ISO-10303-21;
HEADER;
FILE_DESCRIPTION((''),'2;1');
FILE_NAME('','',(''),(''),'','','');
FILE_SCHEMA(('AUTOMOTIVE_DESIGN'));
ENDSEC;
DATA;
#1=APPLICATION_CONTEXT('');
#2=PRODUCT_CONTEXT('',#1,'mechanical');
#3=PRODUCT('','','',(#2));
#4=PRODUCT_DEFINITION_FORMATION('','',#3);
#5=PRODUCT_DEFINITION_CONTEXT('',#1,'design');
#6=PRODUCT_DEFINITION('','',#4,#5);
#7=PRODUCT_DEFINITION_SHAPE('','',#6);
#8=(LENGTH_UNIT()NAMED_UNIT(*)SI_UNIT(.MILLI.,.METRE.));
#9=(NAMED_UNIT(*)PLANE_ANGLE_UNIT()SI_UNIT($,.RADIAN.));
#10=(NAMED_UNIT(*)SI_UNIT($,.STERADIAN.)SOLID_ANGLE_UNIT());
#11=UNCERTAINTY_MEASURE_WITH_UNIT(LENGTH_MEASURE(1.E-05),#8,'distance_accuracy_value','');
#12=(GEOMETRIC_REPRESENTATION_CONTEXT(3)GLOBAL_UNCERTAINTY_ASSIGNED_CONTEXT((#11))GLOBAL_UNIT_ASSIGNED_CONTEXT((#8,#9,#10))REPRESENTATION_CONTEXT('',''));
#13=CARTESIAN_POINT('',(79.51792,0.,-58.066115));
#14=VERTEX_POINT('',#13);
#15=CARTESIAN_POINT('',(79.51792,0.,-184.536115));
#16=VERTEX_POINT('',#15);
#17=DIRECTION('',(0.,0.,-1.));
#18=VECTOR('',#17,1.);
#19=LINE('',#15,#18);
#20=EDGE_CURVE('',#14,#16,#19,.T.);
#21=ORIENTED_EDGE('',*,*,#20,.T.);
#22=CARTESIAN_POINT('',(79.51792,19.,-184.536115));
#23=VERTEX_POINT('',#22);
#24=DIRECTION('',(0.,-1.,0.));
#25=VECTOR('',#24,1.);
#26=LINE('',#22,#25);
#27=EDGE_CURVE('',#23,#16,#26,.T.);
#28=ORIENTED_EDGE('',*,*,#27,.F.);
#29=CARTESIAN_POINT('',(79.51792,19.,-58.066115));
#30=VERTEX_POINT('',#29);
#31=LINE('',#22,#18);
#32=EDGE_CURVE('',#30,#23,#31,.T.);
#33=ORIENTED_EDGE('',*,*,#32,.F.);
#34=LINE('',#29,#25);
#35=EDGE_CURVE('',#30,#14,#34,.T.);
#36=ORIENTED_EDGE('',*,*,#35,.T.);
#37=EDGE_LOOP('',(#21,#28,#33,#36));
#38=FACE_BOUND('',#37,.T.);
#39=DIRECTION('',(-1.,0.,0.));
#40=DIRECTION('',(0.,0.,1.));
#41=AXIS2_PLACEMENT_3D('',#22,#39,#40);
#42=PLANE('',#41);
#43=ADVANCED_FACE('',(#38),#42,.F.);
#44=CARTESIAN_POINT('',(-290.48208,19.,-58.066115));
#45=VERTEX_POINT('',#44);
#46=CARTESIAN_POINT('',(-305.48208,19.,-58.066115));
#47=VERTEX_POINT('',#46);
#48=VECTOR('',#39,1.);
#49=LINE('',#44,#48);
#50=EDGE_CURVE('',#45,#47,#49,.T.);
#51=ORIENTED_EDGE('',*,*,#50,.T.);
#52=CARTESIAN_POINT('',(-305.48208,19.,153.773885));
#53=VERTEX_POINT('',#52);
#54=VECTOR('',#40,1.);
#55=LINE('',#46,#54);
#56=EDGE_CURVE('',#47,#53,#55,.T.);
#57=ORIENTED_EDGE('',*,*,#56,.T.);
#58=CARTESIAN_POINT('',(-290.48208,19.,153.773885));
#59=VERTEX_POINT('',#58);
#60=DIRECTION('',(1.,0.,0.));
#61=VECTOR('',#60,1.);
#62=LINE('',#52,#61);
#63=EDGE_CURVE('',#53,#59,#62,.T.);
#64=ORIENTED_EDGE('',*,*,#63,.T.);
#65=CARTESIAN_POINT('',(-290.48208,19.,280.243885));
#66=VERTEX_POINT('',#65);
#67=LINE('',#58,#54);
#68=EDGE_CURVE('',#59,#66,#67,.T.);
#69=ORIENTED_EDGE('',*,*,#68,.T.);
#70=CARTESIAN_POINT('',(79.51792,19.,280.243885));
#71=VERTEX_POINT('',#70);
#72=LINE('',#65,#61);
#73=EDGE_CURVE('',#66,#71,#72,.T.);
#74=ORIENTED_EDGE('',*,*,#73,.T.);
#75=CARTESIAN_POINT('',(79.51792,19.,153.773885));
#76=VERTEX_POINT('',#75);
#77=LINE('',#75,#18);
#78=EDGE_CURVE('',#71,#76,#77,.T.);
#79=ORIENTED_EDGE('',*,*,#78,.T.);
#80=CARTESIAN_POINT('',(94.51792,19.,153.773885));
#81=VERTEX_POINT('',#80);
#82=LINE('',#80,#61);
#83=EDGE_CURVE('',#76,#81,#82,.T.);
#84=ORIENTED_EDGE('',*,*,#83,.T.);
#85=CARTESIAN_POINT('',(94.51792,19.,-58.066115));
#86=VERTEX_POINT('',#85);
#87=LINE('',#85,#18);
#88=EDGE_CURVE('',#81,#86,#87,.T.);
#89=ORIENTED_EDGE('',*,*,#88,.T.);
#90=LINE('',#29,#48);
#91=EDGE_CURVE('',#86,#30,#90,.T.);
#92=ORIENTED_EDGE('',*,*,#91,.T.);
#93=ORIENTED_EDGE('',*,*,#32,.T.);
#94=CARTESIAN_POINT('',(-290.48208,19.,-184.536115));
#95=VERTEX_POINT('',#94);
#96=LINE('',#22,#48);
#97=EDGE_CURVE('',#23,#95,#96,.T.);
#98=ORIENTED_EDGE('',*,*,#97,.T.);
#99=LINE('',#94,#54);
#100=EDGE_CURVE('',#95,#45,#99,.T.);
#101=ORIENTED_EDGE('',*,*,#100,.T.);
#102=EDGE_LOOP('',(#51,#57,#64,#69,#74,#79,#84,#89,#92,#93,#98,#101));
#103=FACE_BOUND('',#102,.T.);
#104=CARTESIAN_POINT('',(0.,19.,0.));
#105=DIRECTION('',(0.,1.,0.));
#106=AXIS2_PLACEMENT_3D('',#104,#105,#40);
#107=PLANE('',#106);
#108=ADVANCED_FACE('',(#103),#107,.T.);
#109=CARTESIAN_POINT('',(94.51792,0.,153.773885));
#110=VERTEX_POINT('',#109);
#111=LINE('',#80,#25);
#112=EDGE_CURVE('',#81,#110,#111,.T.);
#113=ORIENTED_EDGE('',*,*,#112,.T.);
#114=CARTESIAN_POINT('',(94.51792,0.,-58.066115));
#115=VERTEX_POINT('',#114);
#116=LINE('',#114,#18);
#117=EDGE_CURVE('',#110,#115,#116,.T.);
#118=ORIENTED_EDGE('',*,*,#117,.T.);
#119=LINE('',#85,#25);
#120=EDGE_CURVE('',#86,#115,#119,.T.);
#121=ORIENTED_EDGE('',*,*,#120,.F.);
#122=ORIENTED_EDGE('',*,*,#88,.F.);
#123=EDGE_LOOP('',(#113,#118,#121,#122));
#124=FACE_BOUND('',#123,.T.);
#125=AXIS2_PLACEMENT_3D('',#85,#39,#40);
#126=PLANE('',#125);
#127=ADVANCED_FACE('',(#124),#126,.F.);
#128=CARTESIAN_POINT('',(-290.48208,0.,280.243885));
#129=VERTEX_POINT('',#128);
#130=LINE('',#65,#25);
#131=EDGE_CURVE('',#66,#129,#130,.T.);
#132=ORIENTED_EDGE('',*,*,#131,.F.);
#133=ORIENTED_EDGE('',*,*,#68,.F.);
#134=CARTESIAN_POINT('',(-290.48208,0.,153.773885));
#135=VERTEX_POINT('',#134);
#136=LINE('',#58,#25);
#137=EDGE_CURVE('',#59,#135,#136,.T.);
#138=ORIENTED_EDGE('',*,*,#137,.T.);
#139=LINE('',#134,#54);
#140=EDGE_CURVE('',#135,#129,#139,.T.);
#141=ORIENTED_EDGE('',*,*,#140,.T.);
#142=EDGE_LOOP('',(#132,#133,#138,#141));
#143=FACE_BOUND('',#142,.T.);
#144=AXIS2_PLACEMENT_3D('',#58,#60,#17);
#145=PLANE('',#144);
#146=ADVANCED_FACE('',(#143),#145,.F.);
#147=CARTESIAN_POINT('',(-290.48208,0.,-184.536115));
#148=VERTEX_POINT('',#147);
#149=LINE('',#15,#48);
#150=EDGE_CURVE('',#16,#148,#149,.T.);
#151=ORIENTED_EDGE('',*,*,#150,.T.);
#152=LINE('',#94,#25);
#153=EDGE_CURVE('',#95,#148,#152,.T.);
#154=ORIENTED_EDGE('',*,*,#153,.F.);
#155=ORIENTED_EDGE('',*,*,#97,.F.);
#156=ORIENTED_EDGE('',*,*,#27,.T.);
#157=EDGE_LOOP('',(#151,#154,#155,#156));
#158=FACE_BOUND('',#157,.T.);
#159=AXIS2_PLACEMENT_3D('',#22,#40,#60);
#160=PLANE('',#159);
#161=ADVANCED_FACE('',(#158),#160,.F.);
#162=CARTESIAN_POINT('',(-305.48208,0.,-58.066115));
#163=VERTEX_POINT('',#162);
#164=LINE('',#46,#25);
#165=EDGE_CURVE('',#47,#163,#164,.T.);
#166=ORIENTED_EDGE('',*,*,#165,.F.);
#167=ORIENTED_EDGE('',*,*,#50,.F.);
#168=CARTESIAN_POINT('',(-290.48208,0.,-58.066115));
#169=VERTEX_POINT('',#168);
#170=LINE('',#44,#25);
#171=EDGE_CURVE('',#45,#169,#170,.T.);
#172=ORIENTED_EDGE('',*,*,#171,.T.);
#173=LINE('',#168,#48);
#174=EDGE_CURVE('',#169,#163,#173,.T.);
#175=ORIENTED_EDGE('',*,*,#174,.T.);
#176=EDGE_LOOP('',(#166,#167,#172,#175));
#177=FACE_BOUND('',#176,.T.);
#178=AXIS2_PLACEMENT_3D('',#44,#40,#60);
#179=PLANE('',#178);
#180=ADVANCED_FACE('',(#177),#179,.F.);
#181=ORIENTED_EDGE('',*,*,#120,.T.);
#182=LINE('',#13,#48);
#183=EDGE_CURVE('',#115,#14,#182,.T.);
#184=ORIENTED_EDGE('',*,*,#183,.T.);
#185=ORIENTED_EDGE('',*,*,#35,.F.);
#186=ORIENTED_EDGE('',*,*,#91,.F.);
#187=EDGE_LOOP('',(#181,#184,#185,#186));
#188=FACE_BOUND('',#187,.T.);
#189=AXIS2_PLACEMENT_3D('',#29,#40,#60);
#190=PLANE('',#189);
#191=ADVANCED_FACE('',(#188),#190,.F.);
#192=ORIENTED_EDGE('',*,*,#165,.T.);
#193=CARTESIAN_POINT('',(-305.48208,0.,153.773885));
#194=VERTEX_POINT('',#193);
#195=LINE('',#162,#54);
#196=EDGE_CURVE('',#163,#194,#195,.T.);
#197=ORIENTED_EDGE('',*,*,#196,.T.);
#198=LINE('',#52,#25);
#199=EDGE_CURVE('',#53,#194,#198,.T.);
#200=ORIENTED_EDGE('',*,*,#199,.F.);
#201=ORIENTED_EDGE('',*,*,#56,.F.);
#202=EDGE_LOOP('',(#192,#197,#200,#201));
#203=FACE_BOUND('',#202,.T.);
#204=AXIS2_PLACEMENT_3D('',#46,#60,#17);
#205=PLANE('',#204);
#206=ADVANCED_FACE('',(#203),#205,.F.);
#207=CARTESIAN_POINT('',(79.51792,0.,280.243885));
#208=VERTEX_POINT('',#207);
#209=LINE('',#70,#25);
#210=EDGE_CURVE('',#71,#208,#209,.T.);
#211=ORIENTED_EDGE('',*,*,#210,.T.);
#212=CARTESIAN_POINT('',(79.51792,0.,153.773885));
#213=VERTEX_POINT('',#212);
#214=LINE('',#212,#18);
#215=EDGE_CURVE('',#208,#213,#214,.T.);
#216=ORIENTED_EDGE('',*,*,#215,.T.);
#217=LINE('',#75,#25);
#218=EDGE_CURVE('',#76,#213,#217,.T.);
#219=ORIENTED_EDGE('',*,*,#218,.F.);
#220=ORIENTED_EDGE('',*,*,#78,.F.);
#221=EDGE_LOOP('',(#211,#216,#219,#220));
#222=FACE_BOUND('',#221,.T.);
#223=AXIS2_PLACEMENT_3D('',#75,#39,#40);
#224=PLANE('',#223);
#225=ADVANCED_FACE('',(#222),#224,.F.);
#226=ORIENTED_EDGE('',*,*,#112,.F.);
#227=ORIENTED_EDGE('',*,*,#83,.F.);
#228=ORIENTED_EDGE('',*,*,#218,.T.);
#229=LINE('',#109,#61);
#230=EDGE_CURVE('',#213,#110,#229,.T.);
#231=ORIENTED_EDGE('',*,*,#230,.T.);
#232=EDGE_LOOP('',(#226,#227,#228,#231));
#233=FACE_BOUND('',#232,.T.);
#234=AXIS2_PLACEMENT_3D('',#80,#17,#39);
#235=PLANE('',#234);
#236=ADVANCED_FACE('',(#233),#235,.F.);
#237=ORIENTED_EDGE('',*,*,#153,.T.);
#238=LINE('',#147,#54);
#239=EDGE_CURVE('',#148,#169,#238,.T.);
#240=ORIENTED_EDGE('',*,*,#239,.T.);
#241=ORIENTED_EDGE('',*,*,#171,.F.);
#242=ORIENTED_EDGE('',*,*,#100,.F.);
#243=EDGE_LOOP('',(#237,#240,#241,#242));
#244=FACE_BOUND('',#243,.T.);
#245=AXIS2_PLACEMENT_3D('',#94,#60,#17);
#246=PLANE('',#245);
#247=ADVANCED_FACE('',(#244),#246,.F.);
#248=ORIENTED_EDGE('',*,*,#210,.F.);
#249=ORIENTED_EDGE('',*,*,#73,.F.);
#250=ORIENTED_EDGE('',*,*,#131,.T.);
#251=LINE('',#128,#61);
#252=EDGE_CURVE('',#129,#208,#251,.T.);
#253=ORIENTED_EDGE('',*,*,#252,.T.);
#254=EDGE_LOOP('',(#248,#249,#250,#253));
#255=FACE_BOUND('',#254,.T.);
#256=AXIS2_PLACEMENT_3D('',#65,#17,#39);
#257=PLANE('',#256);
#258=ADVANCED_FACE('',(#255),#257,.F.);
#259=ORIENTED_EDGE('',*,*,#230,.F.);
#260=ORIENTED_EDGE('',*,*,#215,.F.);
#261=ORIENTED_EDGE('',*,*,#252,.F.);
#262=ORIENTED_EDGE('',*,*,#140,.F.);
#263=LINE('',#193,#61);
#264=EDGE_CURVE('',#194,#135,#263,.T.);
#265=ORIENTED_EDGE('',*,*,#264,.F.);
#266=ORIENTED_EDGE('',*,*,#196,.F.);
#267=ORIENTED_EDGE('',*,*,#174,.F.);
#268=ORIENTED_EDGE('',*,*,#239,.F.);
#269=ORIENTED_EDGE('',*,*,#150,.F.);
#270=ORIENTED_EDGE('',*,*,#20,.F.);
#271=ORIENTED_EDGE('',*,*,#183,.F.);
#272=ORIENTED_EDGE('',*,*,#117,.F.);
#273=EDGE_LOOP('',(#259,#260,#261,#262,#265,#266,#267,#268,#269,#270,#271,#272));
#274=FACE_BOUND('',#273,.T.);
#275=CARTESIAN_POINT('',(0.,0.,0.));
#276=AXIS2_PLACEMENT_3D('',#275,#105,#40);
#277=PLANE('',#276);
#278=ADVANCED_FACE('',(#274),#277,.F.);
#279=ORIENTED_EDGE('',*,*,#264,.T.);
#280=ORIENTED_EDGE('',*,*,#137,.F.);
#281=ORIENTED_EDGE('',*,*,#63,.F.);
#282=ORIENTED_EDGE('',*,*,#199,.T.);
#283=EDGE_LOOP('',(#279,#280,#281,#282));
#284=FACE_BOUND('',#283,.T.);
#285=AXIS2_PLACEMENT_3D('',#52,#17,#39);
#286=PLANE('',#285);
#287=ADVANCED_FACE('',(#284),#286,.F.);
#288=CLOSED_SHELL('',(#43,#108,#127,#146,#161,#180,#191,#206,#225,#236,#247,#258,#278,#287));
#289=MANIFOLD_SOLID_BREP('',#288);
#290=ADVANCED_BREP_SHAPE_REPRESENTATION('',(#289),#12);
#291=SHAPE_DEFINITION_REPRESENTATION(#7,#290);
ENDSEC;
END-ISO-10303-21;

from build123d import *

# Parameters (mm, degrees)
SALIENTE_EXTRUIR1_DEPTH = 19


with BuildPart() as part:
    # Croquis1 → Saliente-Extruir1 (new body)
    with BuildSketch(Plane(origin=(0, 0, 0), x_dir=(1, 0, 0), z_dir=(0, 1, 0))):
        Polygon((-290.482080256, 184.53611465), (-290.482080256, 58.06611465), (-305.482080256, 58.06611465), (-305.482080256, -153.77388535), (-290.482080256, -153.77388535), (-290.482080256, -280.24388535), (79.517919744, -280.24388535), (79.517919744, -153.77388535), (94.517919744, -153.77388535), (94.517919744, 58.06611465), (79.517919744, 58.06611465), (79.517919744, 184.53611465), align=None)
    extrude(amount=SALIENTE_EXTRUIR1_DEPTH)


solid = part.part
